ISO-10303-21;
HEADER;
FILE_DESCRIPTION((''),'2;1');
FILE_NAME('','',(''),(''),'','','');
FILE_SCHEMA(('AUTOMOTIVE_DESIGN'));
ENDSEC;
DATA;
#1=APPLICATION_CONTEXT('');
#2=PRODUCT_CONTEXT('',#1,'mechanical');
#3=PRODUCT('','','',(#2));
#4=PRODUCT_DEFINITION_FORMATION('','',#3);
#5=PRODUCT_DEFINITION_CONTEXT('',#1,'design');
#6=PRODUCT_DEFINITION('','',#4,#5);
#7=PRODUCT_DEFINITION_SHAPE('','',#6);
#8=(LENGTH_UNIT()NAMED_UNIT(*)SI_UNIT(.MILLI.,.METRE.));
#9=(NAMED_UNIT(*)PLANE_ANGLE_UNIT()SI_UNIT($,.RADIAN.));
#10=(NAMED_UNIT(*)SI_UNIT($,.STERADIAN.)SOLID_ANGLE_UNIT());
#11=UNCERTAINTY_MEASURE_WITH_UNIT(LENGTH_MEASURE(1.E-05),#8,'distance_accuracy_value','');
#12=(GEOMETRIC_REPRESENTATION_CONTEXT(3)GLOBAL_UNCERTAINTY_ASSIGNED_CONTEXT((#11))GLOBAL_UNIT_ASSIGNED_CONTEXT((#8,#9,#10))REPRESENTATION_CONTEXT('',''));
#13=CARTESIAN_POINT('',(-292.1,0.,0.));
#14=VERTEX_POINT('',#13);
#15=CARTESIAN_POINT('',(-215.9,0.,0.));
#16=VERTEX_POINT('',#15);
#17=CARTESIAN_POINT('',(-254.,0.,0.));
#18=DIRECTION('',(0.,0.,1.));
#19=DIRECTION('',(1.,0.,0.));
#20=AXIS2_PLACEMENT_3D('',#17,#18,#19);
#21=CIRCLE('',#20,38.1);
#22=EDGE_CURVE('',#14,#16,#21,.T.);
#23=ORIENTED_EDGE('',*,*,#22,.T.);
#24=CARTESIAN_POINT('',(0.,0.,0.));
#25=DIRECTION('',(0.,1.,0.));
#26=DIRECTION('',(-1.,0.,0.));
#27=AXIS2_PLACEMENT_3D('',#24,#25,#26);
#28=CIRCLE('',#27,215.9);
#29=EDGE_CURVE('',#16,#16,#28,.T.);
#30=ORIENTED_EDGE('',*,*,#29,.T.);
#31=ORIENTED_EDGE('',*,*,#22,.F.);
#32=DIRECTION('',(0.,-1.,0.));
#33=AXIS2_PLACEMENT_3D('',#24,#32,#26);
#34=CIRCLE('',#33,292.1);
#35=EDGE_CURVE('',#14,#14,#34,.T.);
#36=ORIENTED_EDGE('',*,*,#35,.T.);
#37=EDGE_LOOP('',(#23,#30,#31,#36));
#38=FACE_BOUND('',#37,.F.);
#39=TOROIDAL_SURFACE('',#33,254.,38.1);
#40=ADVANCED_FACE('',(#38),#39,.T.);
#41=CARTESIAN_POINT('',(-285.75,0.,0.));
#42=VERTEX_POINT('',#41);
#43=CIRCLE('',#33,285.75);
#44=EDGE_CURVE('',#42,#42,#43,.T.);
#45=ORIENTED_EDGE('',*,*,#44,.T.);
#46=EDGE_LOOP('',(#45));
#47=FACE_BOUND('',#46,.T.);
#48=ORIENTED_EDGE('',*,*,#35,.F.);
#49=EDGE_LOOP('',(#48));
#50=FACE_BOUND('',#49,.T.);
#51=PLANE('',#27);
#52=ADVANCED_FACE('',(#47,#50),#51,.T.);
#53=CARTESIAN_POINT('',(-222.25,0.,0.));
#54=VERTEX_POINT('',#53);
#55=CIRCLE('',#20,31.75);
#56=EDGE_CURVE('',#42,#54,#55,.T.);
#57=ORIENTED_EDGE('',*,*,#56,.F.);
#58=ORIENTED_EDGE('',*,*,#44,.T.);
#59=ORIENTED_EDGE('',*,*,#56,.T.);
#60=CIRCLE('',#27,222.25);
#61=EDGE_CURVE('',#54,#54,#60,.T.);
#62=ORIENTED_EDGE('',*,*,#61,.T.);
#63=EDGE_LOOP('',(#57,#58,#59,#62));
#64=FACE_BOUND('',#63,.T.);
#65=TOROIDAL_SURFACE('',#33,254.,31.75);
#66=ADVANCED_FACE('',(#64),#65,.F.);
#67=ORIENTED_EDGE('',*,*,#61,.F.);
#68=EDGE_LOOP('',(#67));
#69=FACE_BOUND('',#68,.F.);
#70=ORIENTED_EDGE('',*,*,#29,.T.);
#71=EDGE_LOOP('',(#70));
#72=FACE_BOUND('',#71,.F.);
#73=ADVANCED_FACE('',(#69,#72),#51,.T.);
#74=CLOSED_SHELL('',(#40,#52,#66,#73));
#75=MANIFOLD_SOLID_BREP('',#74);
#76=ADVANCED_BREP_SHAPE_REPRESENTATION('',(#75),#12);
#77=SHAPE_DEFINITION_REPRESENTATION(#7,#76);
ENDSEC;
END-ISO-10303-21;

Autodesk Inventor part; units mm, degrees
ref_plane "YZ Plane" through (0, 0, 0) normal (1, 0, 0) x (0, 1, 0)
ref_plane "XZ Plane" through (0, 0, 0) normal (0, 1, 0) x (-1, 0, 0)
ref_plane "XY Plane" through (0, 0, 0) normal (0, 0, 1) x (1, 0, 0)
sketch "Sketch3" plane through (0, 0, 0) normal (0, 0, 1) x (1, 0, 0)
  line L0 (0, 0) -> (-254, 0)
  circle A0 centre (-254, 0) radius 38.1
  circle A1 centre (-254, 0) radius 31.75
  line L1 (0, -53.34) -> (0, 53.34) projected
  dimension "centerRing" = 254
  dimension "outerDiam" = 76.2
  dimension "innerDiam" = 63.5
revolve "Revolution2" add sketch "Sketch3" angle 360 about axis through (0, -10, 0) along (0, 1, 0)
sketch "Sketch5" plane through (0, 0, 0) normal (0, 1, 0) x (-1, 0, 0)
  circle A0 centre (0, 0) radius 304.8
  dimension "removeDiam" = 609.6
extrude "Extrusion2" cut sketch "Sketch5" along normal through all
properties part number "ring"
